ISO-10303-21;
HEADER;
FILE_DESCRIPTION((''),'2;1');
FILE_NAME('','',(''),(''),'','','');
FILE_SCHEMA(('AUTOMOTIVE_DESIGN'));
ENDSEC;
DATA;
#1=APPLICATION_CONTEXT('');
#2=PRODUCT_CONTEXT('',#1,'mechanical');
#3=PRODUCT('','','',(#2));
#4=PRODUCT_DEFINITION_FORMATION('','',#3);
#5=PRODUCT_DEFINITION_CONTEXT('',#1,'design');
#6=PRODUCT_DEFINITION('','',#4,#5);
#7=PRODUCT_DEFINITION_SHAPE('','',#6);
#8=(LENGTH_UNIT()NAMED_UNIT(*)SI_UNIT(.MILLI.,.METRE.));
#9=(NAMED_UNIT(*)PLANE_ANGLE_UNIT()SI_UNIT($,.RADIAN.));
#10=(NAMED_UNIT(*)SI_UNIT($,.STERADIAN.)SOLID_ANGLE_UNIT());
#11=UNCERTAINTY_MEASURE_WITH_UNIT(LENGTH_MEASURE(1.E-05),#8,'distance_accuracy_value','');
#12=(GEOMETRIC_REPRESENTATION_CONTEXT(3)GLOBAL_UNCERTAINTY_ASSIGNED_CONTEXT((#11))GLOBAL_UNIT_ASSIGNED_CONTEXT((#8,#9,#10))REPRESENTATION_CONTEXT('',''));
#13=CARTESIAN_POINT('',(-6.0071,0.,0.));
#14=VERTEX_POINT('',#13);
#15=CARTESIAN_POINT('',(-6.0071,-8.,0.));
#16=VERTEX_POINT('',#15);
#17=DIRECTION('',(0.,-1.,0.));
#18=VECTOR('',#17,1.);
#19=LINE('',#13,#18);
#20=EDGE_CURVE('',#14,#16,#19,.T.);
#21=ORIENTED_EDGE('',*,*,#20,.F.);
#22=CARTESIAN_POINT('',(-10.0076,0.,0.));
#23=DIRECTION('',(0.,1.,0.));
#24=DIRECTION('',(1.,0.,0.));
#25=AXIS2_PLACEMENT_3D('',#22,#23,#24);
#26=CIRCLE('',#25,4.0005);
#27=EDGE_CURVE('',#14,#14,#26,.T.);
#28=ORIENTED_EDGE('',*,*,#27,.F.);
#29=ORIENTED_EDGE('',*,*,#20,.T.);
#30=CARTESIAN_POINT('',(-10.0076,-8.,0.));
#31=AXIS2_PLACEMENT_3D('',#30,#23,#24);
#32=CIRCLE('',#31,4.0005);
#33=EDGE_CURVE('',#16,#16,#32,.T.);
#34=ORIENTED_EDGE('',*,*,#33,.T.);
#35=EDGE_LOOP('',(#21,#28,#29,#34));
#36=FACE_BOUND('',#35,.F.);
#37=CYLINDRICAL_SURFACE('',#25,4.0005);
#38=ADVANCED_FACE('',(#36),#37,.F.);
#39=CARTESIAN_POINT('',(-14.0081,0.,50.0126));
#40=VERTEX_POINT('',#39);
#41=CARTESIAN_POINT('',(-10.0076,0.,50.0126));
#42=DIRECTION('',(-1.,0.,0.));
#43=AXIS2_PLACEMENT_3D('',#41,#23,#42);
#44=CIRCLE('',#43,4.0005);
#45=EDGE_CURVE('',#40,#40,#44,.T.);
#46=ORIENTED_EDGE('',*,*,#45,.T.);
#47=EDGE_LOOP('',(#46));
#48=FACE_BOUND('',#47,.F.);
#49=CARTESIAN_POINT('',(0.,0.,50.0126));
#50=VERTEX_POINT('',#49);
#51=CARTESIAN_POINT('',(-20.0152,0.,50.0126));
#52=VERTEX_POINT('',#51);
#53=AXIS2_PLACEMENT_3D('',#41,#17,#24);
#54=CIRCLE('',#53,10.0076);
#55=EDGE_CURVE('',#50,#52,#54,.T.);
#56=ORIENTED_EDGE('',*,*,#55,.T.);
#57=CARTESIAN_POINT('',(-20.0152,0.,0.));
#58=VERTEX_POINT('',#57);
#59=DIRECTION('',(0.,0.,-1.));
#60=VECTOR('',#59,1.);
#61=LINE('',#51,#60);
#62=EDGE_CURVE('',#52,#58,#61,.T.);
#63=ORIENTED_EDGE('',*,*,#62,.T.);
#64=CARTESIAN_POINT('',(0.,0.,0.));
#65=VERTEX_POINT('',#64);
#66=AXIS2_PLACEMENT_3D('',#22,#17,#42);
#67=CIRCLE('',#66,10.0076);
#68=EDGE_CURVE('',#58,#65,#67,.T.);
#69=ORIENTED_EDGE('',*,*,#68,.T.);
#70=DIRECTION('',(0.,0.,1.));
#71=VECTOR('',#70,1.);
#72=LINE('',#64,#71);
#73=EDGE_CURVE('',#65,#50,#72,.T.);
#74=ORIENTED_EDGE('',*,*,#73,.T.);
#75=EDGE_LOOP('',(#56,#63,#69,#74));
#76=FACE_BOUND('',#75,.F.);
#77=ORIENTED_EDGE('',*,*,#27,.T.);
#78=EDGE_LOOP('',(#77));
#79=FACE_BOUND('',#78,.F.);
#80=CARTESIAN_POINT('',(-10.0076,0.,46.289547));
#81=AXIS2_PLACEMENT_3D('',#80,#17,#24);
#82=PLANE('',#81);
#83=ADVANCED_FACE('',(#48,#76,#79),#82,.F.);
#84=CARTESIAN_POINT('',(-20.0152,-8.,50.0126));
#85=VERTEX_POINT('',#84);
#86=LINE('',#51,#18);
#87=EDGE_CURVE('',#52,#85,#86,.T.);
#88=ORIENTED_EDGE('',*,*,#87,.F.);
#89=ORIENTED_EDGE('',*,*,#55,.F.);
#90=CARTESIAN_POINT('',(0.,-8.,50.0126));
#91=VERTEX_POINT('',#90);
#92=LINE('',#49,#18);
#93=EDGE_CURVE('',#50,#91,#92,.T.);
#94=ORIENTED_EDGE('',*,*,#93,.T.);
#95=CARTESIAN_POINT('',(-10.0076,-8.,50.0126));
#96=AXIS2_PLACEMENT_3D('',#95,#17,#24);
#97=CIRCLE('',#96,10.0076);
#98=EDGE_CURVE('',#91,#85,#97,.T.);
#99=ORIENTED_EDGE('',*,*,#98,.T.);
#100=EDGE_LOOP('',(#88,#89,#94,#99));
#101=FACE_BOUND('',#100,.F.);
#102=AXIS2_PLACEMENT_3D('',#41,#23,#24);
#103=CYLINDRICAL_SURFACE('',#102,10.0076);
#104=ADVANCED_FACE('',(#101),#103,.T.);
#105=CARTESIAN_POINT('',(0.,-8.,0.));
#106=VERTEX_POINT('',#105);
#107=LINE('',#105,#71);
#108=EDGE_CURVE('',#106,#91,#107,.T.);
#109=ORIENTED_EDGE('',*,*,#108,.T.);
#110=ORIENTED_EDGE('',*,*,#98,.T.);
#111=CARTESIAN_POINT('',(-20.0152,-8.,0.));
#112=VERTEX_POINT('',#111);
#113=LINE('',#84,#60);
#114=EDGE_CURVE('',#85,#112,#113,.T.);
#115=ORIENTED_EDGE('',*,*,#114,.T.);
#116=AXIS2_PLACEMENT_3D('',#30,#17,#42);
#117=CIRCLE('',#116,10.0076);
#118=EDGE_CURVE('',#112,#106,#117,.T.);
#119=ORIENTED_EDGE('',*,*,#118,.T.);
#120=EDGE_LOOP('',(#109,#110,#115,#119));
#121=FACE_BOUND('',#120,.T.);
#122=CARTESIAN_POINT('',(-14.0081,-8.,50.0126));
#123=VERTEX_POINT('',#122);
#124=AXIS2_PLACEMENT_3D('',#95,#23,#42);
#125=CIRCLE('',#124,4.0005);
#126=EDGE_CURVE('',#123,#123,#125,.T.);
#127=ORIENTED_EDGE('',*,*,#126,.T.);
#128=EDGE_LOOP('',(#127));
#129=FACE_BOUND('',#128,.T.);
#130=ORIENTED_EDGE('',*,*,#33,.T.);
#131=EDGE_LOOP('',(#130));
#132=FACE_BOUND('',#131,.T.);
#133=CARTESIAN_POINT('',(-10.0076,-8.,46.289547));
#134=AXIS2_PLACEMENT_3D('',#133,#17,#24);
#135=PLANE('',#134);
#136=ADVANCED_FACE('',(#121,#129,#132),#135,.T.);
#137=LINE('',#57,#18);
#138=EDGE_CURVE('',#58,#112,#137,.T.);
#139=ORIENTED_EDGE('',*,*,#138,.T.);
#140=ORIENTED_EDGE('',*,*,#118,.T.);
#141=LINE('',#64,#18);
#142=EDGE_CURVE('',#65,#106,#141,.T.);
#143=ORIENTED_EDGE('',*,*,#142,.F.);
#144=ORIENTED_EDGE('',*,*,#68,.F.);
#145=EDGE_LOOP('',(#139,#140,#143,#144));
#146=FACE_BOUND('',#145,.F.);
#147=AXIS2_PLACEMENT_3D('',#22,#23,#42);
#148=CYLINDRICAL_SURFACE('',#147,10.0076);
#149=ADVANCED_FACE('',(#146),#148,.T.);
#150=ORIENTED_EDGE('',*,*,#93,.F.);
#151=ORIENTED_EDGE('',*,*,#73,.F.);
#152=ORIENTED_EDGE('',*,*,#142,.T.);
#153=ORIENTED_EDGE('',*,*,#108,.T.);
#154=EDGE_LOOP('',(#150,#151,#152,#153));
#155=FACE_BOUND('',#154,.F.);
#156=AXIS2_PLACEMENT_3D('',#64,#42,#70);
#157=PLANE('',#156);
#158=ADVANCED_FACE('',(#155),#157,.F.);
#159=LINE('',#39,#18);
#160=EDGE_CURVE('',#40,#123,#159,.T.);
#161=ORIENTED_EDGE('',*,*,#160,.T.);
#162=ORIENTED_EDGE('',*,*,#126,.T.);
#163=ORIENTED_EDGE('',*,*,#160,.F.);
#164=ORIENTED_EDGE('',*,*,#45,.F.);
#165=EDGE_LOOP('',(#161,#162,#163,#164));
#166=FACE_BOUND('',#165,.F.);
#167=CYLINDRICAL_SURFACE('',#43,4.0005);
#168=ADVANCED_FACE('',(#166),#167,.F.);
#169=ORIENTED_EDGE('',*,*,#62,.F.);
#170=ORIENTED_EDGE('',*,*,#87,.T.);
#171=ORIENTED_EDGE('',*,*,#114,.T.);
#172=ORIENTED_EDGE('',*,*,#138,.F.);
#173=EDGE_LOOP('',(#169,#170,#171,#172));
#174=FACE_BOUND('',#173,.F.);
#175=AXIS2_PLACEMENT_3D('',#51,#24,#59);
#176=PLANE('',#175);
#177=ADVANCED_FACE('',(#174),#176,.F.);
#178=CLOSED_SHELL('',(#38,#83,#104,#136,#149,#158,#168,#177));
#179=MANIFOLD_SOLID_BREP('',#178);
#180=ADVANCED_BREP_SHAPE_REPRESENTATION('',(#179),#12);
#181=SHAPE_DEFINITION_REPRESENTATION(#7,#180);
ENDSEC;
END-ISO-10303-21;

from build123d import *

# Parameters (mm, degrees)
F1_DEPTH = 8


with BuildPart() as f1:
    # F0 (on Front) → F1 (new body)
    with BuildSketch(Plane.XZ):
        with BuildLine():
            Line((0, 50.0126), (-6.0071, 50.0126))
            ThreePointArc((-6.0071, 50.0126), (-10.0076, 46.0121), (-14.0081, 50.0126))
            Line((-14.0081, 50.0126), (-20.0152, 50.0126))
            ThreePointArc((-20.0152, 50.0126), (-10.0076, 40.005), (0, 50.0126))
        make_face()
        with BuildLine():
            ThreePointArc((-14.0081, 50.0126), (-10.0076, 54.0131), (-6.0071, 50.0126))
            Line((-6.0071, 50.0126), (0, 50.0126))
            ThreePointArc((0, 50.0126), (-10.0076, 60.0202), (-20.0152, 50.0126))
            Line((-20.0152, 50.0126), (-14.0081, 50.0126))
        make_face()
        with BuildLine():
            Line((0, 0), (0, 50.0126))
            ThreePointArc((0, 50.0126), (-10.0076, 40.005), (-20.0152, 50.0126))
            Line((-20.0152, 50.0126), (-20.0152, 0))
            ThreePointArc((-20.0152, 0), (-10.0076, 10.0076), (0, 0))
        make_face()
        with BuildLine():
            ThreePointArc((-20.0152, 0), (-10.0076, -10.0076), (0, 0))
            Line((0, 0), (-6.0071, 0))
            ThreePointArc((-6.0071, 0), (-10.0076, -4.0005), (-14.0081, 0))
            Line((-14.0081, 0), (-20.0152, 0))
        make_face()
        with BuildLine():
            Line((-6.0071, 0), (0, 0))
            ThreePointArc((0, 0), (-10.0076, 10.0076), (-20.0152, 0))
            Line((-20.0152, 0), (-14.0081, 0))
            ThreePointArc((-14.0081, 0), (-10.0076, 4.0005), (-6.0071, 0))
        make_face()
    extrude(amount=F1_DEPTH)


solid = f1.part
